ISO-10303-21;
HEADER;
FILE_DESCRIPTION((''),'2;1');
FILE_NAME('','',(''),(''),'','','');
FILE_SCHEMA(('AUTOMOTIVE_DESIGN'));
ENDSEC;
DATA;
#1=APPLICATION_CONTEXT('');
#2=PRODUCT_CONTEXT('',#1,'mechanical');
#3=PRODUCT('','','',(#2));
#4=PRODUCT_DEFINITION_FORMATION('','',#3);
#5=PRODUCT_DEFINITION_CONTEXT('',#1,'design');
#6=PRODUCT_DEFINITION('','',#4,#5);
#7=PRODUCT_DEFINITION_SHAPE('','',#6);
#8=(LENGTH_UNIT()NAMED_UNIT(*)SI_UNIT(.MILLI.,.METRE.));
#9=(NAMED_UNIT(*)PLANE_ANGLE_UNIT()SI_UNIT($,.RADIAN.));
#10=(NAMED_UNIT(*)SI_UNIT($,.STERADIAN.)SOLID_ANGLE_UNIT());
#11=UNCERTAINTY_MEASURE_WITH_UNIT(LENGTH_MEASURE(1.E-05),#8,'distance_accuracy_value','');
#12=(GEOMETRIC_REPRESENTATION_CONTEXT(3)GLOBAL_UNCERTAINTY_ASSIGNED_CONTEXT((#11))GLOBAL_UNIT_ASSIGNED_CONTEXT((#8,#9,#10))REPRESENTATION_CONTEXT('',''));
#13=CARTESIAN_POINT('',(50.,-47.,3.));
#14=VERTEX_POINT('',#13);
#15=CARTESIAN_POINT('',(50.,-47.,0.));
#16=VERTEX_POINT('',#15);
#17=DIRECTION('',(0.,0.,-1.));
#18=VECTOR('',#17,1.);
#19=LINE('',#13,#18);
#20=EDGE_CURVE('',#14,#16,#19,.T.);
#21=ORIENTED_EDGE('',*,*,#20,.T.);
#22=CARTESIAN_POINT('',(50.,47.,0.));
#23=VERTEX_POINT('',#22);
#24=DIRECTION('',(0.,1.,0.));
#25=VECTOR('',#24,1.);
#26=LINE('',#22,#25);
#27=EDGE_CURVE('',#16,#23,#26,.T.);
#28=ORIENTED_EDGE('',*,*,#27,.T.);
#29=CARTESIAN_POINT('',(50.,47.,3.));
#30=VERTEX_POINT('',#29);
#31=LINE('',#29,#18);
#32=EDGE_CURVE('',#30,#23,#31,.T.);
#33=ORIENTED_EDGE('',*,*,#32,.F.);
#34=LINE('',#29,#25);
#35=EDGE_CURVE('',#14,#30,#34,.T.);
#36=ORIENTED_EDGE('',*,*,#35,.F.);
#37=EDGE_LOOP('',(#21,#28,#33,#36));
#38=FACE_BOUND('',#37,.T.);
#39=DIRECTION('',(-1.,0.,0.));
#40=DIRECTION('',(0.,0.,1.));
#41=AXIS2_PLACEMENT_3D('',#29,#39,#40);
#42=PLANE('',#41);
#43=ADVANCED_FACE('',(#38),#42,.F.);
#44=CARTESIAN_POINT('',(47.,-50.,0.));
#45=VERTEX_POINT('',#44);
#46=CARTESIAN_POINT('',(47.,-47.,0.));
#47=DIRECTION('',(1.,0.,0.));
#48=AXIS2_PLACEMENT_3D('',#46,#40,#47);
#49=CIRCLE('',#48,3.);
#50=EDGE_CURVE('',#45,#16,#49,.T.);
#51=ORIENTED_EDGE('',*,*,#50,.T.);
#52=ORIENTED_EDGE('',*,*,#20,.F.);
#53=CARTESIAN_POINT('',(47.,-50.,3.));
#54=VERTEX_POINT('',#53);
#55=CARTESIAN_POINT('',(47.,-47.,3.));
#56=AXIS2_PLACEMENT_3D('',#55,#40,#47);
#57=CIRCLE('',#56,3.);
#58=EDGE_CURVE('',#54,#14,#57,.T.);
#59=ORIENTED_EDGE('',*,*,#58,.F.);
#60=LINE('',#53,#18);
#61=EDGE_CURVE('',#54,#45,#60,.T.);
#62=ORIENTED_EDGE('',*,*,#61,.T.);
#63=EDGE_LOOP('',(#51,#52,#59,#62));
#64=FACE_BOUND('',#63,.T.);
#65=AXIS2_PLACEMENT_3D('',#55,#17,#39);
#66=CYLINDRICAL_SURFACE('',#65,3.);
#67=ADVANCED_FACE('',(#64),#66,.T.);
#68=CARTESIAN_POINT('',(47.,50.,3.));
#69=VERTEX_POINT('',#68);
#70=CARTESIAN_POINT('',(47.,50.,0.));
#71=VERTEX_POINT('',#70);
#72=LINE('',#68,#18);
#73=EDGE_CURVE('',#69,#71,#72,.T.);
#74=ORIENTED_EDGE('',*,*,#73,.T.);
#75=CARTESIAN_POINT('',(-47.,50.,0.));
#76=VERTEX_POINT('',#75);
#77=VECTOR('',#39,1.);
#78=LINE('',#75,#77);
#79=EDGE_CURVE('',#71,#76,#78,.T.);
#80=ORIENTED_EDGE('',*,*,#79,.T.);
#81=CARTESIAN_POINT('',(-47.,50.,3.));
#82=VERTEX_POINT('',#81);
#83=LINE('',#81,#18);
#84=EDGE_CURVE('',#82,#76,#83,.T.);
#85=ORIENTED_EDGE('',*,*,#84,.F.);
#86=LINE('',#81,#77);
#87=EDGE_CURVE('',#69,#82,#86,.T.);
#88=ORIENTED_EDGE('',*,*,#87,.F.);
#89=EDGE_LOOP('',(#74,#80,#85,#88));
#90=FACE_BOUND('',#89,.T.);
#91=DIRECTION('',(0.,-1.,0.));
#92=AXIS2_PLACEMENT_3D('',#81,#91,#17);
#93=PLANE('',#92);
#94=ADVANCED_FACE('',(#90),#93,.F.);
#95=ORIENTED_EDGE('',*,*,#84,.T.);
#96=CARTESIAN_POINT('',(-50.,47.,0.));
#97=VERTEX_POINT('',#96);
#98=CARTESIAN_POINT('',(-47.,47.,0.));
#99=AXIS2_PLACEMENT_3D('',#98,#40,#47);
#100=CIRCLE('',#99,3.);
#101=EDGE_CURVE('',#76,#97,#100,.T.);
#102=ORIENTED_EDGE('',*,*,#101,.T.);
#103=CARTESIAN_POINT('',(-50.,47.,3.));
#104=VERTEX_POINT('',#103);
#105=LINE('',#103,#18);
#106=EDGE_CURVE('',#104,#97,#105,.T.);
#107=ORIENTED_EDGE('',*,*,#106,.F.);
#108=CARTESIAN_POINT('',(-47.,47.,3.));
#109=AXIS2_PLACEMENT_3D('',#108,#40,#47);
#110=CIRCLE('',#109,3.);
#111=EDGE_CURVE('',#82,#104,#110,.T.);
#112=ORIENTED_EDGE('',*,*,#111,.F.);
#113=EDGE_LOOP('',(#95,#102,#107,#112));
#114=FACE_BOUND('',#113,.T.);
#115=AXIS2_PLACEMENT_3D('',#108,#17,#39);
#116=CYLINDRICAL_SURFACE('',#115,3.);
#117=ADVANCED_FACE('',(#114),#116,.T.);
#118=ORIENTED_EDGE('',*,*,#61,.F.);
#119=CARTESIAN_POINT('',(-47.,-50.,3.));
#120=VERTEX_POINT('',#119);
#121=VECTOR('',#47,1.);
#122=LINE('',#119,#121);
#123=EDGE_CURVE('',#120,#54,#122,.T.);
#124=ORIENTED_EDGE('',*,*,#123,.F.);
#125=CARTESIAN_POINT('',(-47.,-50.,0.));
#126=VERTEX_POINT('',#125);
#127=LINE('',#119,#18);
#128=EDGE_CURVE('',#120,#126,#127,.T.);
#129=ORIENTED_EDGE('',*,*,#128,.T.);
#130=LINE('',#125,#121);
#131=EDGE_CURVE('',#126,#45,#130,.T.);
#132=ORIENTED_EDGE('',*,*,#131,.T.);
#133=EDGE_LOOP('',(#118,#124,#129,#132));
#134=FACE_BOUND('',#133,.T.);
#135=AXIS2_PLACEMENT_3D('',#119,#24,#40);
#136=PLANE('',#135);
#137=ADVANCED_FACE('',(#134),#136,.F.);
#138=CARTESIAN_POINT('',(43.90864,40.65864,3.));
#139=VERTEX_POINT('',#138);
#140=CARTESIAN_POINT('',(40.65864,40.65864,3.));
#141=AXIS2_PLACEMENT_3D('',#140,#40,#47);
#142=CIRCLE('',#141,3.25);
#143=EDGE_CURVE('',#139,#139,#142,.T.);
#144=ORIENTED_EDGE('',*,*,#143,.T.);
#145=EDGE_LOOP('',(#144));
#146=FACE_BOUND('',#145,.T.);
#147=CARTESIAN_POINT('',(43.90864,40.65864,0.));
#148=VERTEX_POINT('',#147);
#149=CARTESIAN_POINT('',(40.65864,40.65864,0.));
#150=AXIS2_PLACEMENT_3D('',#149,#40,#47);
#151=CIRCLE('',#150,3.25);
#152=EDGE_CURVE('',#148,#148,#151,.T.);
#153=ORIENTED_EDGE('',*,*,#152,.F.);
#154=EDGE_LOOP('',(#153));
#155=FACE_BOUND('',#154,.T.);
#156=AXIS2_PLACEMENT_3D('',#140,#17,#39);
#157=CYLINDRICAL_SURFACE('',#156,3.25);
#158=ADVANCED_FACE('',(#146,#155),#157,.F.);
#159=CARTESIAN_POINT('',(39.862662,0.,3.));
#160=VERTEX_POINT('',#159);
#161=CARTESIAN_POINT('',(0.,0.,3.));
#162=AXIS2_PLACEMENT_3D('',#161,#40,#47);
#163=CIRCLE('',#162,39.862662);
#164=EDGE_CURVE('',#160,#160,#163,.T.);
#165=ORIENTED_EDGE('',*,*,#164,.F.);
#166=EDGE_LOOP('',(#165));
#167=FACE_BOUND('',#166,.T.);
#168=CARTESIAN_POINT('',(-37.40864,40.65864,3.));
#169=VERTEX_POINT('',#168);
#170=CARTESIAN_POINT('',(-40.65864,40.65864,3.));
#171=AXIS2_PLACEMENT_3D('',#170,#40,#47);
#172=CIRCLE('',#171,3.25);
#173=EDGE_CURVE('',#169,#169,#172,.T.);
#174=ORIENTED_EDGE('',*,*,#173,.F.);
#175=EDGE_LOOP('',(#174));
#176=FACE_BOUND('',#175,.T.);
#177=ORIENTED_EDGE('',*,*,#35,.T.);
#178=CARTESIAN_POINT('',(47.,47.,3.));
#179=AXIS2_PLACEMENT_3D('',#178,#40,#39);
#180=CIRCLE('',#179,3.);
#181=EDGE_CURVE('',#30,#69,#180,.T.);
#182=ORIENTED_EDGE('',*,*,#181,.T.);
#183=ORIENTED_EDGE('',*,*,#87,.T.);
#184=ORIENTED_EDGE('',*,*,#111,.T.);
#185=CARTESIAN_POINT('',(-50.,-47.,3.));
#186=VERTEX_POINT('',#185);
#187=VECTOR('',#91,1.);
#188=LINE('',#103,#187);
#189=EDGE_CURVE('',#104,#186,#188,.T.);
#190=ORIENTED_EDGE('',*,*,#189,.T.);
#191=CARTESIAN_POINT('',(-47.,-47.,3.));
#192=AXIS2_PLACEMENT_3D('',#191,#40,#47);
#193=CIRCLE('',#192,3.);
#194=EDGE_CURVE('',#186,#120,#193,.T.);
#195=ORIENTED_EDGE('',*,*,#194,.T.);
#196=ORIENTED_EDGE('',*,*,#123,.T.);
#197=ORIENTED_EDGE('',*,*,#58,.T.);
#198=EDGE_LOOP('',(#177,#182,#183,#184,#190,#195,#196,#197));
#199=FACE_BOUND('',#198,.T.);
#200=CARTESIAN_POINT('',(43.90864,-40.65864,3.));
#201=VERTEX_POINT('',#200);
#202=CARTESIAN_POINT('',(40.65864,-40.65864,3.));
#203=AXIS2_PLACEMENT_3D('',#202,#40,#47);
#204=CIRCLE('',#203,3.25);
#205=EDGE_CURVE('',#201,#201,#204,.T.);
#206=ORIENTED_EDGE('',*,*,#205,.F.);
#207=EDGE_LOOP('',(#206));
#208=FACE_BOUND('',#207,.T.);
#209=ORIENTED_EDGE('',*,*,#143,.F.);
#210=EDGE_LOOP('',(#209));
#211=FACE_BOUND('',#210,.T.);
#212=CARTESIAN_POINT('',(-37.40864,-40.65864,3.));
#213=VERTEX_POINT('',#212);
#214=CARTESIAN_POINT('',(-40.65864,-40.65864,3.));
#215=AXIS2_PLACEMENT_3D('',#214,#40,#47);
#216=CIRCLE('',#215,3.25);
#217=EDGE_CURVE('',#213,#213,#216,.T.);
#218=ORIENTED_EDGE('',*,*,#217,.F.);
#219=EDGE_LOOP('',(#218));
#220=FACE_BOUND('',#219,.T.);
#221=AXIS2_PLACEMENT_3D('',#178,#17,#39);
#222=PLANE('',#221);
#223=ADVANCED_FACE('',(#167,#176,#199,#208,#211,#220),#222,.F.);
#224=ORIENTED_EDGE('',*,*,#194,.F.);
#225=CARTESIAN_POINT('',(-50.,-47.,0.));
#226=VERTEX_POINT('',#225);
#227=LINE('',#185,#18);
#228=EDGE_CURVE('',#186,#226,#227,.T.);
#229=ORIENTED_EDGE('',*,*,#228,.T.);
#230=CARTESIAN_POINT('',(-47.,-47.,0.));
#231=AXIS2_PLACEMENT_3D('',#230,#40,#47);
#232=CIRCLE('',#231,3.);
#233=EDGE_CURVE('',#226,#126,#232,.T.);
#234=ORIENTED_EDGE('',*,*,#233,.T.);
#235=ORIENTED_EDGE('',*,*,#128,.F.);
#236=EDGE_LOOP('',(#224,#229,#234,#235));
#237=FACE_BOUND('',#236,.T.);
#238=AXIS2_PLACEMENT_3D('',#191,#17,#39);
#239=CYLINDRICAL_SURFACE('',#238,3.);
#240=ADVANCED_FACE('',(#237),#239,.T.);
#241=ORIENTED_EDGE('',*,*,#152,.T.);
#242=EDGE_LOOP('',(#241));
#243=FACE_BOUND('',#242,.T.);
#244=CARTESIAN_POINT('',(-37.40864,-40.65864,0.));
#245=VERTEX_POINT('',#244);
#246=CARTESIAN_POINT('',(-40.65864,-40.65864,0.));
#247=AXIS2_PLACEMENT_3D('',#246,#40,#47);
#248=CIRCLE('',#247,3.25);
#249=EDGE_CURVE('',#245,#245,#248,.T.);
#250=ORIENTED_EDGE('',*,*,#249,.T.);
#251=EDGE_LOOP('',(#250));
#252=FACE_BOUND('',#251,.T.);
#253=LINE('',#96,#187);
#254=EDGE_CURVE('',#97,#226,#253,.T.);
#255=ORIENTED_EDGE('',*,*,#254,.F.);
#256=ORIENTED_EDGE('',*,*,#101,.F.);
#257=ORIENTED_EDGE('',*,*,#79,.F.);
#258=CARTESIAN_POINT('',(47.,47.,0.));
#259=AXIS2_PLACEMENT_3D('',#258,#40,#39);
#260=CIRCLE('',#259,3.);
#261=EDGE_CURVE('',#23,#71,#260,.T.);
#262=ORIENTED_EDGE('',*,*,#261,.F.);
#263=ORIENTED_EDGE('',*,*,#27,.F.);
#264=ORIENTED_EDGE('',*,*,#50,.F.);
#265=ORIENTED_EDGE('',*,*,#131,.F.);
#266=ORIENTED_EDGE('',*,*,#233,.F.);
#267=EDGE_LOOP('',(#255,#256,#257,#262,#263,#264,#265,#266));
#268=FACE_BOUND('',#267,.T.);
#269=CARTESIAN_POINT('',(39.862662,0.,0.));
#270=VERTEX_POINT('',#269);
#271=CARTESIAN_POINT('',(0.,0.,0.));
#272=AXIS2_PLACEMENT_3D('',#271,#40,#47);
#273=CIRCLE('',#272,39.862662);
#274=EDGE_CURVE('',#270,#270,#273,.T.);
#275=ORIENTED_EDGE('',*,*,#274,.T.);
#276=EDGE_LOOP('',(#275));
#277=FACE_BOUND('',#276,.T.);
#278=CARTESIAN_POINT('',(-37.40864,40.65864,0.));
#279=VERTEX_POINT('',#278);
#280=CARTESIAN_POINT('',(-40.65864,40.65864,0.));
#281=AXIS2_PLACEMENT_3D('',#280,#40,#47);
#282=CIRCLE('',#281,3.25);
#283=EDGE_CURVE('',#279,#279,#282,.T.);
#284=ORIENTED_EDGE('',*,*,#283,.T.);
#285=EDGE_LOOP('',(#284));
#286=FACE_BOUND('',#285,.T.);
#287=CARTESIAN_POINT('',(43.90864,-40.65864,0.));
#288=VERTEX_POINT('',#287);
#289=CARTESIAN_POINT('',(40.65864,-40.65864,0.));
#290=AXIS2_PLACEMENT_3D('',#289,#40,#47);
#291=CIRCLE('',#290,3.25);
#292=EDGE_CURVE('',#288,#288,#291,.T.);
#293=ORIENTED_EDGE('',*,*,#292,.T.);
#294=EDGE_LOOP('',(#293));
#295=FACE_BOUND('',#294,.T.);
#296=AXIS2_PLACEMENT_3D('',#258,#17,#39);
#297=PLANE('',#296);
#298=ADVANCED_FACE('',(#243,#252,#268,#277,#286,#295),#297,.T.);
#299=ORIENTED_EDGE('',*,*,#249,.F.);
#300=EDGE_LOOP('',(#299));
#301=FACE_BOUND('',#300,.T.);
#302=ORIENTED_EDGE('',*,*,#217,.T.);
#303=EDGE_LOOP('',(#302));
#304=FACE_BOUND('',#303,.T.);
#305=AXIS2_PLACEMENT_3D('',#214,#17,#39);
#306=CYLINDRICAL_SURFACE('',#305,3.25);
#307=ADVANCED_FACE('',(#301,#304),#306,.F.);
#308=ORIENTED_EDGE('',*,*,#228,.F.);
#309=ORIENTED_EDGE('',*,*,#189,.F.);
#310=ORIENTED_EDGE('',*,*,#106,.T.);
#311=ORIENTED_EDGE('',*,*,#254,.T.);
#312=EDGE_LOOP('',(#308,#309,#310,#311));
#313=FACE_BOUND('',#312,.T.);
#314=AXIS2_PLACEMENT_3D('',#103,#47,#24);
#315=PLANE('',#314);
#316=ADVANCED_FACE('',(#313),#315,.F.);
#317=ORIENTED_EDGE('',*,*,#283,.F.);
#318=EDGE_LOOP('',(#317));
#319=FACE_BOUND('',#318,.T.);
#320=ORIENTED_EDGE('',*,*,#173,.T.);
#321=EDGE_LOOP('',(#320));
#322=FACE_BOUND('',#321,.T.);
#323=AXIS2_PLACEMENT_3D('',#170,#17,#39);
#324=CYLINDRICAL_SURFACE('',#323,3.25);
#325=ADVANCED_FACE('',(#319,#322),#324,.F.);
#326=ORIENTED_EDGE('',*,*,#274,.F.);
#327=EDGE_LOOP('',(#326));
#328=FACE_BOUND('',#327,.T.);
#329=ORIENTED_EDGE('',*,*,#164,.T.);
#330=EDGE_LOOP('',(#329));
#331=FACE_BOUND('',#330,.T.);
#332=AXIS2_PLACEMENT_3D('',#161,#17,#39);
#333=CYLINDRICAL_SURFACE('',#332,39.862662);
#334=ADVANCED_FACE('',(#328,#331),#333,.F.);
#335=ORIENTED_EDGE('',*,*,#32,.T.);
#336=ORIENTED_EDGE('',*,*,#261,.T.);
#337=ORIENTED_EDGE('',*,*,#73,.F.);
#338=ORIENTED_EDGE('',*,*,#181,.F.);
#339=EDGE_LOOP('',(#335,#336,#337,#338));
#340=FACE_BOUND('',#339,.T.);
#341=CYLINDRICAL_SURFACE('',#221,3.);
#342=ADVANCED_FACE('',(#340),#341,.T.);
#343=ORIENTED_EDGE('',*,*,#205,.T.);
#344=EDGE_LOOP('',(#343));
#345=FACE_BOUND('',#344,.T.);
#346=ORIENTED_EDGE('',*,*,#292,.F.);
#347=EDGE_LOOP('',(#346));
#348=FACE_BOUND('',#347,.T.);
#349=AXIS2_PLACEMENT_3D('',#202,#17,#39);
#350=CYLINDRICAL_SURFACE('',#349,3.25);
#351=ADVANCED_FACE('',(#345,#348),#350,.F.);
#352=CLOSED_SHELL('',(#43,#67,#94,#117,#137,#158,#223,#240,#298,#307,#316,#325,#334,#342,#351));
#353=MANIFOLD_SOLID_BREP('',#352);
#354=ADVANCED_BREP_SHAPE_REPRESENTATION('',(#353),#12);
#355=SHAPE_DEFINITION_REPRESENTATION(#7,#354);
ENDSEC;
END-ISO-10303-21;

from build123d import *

# Parameters (mm, degrees)
SKETCH1_R           = 39.862662415
SKETCH1_R_2         = 3.25
BOSS_EXTRUDE1_DEPTH = 3


with BuildPart() as part:
    # Sketch1 → Boss-Extrude1 (new body)
    with BuildSketch(Plane.XY):
        with BuildLine():
            Line((-47, 50), (47, 50))
            ThreePointArc((47, 50), (49.121320344, 49.121320344), (50, 47))
            Line((50, 47), (50, -47))
            ThreePointArc((50, -47), (49.121320344, -49.121320344), (47, -50))
            Line((47, -50), (-47, -50))
            ThreePointArc((-47, -50), (-49.121320344, -49.121320344), (-50, -47))
            Line((-50, -47), (-50, 47))
            ThreePointArc((-50, 47), (-49.121320344, 49.121320344), (-47, 50))
        make_face()
        Circle(SKETCH1_R, mode=Mode.SUBTRACT)
        with Locations((40.658639918, 40.658639918)):
            Circle(SKETCH1_R_2, mode=Mode.SUBTRACT)
        with Locations((-40.658639918, 40.658639918)):
            Circle(SKETCH1_R_2, mode=Mode.SUBTRACT)
        with Locations((-40.658639918, -40.658639918)):
            Circle(SKETCH1_R_2, mode=Mode.SUBTRACT)
        with Locations((40.658639918, -40.658639918)):
            Circle(SKETCH1_R_2, mode=Mode.SUBTRACT)
    extrude(amount=BOSS_EXTRUDE1_DEPTH)


solid = part.part
